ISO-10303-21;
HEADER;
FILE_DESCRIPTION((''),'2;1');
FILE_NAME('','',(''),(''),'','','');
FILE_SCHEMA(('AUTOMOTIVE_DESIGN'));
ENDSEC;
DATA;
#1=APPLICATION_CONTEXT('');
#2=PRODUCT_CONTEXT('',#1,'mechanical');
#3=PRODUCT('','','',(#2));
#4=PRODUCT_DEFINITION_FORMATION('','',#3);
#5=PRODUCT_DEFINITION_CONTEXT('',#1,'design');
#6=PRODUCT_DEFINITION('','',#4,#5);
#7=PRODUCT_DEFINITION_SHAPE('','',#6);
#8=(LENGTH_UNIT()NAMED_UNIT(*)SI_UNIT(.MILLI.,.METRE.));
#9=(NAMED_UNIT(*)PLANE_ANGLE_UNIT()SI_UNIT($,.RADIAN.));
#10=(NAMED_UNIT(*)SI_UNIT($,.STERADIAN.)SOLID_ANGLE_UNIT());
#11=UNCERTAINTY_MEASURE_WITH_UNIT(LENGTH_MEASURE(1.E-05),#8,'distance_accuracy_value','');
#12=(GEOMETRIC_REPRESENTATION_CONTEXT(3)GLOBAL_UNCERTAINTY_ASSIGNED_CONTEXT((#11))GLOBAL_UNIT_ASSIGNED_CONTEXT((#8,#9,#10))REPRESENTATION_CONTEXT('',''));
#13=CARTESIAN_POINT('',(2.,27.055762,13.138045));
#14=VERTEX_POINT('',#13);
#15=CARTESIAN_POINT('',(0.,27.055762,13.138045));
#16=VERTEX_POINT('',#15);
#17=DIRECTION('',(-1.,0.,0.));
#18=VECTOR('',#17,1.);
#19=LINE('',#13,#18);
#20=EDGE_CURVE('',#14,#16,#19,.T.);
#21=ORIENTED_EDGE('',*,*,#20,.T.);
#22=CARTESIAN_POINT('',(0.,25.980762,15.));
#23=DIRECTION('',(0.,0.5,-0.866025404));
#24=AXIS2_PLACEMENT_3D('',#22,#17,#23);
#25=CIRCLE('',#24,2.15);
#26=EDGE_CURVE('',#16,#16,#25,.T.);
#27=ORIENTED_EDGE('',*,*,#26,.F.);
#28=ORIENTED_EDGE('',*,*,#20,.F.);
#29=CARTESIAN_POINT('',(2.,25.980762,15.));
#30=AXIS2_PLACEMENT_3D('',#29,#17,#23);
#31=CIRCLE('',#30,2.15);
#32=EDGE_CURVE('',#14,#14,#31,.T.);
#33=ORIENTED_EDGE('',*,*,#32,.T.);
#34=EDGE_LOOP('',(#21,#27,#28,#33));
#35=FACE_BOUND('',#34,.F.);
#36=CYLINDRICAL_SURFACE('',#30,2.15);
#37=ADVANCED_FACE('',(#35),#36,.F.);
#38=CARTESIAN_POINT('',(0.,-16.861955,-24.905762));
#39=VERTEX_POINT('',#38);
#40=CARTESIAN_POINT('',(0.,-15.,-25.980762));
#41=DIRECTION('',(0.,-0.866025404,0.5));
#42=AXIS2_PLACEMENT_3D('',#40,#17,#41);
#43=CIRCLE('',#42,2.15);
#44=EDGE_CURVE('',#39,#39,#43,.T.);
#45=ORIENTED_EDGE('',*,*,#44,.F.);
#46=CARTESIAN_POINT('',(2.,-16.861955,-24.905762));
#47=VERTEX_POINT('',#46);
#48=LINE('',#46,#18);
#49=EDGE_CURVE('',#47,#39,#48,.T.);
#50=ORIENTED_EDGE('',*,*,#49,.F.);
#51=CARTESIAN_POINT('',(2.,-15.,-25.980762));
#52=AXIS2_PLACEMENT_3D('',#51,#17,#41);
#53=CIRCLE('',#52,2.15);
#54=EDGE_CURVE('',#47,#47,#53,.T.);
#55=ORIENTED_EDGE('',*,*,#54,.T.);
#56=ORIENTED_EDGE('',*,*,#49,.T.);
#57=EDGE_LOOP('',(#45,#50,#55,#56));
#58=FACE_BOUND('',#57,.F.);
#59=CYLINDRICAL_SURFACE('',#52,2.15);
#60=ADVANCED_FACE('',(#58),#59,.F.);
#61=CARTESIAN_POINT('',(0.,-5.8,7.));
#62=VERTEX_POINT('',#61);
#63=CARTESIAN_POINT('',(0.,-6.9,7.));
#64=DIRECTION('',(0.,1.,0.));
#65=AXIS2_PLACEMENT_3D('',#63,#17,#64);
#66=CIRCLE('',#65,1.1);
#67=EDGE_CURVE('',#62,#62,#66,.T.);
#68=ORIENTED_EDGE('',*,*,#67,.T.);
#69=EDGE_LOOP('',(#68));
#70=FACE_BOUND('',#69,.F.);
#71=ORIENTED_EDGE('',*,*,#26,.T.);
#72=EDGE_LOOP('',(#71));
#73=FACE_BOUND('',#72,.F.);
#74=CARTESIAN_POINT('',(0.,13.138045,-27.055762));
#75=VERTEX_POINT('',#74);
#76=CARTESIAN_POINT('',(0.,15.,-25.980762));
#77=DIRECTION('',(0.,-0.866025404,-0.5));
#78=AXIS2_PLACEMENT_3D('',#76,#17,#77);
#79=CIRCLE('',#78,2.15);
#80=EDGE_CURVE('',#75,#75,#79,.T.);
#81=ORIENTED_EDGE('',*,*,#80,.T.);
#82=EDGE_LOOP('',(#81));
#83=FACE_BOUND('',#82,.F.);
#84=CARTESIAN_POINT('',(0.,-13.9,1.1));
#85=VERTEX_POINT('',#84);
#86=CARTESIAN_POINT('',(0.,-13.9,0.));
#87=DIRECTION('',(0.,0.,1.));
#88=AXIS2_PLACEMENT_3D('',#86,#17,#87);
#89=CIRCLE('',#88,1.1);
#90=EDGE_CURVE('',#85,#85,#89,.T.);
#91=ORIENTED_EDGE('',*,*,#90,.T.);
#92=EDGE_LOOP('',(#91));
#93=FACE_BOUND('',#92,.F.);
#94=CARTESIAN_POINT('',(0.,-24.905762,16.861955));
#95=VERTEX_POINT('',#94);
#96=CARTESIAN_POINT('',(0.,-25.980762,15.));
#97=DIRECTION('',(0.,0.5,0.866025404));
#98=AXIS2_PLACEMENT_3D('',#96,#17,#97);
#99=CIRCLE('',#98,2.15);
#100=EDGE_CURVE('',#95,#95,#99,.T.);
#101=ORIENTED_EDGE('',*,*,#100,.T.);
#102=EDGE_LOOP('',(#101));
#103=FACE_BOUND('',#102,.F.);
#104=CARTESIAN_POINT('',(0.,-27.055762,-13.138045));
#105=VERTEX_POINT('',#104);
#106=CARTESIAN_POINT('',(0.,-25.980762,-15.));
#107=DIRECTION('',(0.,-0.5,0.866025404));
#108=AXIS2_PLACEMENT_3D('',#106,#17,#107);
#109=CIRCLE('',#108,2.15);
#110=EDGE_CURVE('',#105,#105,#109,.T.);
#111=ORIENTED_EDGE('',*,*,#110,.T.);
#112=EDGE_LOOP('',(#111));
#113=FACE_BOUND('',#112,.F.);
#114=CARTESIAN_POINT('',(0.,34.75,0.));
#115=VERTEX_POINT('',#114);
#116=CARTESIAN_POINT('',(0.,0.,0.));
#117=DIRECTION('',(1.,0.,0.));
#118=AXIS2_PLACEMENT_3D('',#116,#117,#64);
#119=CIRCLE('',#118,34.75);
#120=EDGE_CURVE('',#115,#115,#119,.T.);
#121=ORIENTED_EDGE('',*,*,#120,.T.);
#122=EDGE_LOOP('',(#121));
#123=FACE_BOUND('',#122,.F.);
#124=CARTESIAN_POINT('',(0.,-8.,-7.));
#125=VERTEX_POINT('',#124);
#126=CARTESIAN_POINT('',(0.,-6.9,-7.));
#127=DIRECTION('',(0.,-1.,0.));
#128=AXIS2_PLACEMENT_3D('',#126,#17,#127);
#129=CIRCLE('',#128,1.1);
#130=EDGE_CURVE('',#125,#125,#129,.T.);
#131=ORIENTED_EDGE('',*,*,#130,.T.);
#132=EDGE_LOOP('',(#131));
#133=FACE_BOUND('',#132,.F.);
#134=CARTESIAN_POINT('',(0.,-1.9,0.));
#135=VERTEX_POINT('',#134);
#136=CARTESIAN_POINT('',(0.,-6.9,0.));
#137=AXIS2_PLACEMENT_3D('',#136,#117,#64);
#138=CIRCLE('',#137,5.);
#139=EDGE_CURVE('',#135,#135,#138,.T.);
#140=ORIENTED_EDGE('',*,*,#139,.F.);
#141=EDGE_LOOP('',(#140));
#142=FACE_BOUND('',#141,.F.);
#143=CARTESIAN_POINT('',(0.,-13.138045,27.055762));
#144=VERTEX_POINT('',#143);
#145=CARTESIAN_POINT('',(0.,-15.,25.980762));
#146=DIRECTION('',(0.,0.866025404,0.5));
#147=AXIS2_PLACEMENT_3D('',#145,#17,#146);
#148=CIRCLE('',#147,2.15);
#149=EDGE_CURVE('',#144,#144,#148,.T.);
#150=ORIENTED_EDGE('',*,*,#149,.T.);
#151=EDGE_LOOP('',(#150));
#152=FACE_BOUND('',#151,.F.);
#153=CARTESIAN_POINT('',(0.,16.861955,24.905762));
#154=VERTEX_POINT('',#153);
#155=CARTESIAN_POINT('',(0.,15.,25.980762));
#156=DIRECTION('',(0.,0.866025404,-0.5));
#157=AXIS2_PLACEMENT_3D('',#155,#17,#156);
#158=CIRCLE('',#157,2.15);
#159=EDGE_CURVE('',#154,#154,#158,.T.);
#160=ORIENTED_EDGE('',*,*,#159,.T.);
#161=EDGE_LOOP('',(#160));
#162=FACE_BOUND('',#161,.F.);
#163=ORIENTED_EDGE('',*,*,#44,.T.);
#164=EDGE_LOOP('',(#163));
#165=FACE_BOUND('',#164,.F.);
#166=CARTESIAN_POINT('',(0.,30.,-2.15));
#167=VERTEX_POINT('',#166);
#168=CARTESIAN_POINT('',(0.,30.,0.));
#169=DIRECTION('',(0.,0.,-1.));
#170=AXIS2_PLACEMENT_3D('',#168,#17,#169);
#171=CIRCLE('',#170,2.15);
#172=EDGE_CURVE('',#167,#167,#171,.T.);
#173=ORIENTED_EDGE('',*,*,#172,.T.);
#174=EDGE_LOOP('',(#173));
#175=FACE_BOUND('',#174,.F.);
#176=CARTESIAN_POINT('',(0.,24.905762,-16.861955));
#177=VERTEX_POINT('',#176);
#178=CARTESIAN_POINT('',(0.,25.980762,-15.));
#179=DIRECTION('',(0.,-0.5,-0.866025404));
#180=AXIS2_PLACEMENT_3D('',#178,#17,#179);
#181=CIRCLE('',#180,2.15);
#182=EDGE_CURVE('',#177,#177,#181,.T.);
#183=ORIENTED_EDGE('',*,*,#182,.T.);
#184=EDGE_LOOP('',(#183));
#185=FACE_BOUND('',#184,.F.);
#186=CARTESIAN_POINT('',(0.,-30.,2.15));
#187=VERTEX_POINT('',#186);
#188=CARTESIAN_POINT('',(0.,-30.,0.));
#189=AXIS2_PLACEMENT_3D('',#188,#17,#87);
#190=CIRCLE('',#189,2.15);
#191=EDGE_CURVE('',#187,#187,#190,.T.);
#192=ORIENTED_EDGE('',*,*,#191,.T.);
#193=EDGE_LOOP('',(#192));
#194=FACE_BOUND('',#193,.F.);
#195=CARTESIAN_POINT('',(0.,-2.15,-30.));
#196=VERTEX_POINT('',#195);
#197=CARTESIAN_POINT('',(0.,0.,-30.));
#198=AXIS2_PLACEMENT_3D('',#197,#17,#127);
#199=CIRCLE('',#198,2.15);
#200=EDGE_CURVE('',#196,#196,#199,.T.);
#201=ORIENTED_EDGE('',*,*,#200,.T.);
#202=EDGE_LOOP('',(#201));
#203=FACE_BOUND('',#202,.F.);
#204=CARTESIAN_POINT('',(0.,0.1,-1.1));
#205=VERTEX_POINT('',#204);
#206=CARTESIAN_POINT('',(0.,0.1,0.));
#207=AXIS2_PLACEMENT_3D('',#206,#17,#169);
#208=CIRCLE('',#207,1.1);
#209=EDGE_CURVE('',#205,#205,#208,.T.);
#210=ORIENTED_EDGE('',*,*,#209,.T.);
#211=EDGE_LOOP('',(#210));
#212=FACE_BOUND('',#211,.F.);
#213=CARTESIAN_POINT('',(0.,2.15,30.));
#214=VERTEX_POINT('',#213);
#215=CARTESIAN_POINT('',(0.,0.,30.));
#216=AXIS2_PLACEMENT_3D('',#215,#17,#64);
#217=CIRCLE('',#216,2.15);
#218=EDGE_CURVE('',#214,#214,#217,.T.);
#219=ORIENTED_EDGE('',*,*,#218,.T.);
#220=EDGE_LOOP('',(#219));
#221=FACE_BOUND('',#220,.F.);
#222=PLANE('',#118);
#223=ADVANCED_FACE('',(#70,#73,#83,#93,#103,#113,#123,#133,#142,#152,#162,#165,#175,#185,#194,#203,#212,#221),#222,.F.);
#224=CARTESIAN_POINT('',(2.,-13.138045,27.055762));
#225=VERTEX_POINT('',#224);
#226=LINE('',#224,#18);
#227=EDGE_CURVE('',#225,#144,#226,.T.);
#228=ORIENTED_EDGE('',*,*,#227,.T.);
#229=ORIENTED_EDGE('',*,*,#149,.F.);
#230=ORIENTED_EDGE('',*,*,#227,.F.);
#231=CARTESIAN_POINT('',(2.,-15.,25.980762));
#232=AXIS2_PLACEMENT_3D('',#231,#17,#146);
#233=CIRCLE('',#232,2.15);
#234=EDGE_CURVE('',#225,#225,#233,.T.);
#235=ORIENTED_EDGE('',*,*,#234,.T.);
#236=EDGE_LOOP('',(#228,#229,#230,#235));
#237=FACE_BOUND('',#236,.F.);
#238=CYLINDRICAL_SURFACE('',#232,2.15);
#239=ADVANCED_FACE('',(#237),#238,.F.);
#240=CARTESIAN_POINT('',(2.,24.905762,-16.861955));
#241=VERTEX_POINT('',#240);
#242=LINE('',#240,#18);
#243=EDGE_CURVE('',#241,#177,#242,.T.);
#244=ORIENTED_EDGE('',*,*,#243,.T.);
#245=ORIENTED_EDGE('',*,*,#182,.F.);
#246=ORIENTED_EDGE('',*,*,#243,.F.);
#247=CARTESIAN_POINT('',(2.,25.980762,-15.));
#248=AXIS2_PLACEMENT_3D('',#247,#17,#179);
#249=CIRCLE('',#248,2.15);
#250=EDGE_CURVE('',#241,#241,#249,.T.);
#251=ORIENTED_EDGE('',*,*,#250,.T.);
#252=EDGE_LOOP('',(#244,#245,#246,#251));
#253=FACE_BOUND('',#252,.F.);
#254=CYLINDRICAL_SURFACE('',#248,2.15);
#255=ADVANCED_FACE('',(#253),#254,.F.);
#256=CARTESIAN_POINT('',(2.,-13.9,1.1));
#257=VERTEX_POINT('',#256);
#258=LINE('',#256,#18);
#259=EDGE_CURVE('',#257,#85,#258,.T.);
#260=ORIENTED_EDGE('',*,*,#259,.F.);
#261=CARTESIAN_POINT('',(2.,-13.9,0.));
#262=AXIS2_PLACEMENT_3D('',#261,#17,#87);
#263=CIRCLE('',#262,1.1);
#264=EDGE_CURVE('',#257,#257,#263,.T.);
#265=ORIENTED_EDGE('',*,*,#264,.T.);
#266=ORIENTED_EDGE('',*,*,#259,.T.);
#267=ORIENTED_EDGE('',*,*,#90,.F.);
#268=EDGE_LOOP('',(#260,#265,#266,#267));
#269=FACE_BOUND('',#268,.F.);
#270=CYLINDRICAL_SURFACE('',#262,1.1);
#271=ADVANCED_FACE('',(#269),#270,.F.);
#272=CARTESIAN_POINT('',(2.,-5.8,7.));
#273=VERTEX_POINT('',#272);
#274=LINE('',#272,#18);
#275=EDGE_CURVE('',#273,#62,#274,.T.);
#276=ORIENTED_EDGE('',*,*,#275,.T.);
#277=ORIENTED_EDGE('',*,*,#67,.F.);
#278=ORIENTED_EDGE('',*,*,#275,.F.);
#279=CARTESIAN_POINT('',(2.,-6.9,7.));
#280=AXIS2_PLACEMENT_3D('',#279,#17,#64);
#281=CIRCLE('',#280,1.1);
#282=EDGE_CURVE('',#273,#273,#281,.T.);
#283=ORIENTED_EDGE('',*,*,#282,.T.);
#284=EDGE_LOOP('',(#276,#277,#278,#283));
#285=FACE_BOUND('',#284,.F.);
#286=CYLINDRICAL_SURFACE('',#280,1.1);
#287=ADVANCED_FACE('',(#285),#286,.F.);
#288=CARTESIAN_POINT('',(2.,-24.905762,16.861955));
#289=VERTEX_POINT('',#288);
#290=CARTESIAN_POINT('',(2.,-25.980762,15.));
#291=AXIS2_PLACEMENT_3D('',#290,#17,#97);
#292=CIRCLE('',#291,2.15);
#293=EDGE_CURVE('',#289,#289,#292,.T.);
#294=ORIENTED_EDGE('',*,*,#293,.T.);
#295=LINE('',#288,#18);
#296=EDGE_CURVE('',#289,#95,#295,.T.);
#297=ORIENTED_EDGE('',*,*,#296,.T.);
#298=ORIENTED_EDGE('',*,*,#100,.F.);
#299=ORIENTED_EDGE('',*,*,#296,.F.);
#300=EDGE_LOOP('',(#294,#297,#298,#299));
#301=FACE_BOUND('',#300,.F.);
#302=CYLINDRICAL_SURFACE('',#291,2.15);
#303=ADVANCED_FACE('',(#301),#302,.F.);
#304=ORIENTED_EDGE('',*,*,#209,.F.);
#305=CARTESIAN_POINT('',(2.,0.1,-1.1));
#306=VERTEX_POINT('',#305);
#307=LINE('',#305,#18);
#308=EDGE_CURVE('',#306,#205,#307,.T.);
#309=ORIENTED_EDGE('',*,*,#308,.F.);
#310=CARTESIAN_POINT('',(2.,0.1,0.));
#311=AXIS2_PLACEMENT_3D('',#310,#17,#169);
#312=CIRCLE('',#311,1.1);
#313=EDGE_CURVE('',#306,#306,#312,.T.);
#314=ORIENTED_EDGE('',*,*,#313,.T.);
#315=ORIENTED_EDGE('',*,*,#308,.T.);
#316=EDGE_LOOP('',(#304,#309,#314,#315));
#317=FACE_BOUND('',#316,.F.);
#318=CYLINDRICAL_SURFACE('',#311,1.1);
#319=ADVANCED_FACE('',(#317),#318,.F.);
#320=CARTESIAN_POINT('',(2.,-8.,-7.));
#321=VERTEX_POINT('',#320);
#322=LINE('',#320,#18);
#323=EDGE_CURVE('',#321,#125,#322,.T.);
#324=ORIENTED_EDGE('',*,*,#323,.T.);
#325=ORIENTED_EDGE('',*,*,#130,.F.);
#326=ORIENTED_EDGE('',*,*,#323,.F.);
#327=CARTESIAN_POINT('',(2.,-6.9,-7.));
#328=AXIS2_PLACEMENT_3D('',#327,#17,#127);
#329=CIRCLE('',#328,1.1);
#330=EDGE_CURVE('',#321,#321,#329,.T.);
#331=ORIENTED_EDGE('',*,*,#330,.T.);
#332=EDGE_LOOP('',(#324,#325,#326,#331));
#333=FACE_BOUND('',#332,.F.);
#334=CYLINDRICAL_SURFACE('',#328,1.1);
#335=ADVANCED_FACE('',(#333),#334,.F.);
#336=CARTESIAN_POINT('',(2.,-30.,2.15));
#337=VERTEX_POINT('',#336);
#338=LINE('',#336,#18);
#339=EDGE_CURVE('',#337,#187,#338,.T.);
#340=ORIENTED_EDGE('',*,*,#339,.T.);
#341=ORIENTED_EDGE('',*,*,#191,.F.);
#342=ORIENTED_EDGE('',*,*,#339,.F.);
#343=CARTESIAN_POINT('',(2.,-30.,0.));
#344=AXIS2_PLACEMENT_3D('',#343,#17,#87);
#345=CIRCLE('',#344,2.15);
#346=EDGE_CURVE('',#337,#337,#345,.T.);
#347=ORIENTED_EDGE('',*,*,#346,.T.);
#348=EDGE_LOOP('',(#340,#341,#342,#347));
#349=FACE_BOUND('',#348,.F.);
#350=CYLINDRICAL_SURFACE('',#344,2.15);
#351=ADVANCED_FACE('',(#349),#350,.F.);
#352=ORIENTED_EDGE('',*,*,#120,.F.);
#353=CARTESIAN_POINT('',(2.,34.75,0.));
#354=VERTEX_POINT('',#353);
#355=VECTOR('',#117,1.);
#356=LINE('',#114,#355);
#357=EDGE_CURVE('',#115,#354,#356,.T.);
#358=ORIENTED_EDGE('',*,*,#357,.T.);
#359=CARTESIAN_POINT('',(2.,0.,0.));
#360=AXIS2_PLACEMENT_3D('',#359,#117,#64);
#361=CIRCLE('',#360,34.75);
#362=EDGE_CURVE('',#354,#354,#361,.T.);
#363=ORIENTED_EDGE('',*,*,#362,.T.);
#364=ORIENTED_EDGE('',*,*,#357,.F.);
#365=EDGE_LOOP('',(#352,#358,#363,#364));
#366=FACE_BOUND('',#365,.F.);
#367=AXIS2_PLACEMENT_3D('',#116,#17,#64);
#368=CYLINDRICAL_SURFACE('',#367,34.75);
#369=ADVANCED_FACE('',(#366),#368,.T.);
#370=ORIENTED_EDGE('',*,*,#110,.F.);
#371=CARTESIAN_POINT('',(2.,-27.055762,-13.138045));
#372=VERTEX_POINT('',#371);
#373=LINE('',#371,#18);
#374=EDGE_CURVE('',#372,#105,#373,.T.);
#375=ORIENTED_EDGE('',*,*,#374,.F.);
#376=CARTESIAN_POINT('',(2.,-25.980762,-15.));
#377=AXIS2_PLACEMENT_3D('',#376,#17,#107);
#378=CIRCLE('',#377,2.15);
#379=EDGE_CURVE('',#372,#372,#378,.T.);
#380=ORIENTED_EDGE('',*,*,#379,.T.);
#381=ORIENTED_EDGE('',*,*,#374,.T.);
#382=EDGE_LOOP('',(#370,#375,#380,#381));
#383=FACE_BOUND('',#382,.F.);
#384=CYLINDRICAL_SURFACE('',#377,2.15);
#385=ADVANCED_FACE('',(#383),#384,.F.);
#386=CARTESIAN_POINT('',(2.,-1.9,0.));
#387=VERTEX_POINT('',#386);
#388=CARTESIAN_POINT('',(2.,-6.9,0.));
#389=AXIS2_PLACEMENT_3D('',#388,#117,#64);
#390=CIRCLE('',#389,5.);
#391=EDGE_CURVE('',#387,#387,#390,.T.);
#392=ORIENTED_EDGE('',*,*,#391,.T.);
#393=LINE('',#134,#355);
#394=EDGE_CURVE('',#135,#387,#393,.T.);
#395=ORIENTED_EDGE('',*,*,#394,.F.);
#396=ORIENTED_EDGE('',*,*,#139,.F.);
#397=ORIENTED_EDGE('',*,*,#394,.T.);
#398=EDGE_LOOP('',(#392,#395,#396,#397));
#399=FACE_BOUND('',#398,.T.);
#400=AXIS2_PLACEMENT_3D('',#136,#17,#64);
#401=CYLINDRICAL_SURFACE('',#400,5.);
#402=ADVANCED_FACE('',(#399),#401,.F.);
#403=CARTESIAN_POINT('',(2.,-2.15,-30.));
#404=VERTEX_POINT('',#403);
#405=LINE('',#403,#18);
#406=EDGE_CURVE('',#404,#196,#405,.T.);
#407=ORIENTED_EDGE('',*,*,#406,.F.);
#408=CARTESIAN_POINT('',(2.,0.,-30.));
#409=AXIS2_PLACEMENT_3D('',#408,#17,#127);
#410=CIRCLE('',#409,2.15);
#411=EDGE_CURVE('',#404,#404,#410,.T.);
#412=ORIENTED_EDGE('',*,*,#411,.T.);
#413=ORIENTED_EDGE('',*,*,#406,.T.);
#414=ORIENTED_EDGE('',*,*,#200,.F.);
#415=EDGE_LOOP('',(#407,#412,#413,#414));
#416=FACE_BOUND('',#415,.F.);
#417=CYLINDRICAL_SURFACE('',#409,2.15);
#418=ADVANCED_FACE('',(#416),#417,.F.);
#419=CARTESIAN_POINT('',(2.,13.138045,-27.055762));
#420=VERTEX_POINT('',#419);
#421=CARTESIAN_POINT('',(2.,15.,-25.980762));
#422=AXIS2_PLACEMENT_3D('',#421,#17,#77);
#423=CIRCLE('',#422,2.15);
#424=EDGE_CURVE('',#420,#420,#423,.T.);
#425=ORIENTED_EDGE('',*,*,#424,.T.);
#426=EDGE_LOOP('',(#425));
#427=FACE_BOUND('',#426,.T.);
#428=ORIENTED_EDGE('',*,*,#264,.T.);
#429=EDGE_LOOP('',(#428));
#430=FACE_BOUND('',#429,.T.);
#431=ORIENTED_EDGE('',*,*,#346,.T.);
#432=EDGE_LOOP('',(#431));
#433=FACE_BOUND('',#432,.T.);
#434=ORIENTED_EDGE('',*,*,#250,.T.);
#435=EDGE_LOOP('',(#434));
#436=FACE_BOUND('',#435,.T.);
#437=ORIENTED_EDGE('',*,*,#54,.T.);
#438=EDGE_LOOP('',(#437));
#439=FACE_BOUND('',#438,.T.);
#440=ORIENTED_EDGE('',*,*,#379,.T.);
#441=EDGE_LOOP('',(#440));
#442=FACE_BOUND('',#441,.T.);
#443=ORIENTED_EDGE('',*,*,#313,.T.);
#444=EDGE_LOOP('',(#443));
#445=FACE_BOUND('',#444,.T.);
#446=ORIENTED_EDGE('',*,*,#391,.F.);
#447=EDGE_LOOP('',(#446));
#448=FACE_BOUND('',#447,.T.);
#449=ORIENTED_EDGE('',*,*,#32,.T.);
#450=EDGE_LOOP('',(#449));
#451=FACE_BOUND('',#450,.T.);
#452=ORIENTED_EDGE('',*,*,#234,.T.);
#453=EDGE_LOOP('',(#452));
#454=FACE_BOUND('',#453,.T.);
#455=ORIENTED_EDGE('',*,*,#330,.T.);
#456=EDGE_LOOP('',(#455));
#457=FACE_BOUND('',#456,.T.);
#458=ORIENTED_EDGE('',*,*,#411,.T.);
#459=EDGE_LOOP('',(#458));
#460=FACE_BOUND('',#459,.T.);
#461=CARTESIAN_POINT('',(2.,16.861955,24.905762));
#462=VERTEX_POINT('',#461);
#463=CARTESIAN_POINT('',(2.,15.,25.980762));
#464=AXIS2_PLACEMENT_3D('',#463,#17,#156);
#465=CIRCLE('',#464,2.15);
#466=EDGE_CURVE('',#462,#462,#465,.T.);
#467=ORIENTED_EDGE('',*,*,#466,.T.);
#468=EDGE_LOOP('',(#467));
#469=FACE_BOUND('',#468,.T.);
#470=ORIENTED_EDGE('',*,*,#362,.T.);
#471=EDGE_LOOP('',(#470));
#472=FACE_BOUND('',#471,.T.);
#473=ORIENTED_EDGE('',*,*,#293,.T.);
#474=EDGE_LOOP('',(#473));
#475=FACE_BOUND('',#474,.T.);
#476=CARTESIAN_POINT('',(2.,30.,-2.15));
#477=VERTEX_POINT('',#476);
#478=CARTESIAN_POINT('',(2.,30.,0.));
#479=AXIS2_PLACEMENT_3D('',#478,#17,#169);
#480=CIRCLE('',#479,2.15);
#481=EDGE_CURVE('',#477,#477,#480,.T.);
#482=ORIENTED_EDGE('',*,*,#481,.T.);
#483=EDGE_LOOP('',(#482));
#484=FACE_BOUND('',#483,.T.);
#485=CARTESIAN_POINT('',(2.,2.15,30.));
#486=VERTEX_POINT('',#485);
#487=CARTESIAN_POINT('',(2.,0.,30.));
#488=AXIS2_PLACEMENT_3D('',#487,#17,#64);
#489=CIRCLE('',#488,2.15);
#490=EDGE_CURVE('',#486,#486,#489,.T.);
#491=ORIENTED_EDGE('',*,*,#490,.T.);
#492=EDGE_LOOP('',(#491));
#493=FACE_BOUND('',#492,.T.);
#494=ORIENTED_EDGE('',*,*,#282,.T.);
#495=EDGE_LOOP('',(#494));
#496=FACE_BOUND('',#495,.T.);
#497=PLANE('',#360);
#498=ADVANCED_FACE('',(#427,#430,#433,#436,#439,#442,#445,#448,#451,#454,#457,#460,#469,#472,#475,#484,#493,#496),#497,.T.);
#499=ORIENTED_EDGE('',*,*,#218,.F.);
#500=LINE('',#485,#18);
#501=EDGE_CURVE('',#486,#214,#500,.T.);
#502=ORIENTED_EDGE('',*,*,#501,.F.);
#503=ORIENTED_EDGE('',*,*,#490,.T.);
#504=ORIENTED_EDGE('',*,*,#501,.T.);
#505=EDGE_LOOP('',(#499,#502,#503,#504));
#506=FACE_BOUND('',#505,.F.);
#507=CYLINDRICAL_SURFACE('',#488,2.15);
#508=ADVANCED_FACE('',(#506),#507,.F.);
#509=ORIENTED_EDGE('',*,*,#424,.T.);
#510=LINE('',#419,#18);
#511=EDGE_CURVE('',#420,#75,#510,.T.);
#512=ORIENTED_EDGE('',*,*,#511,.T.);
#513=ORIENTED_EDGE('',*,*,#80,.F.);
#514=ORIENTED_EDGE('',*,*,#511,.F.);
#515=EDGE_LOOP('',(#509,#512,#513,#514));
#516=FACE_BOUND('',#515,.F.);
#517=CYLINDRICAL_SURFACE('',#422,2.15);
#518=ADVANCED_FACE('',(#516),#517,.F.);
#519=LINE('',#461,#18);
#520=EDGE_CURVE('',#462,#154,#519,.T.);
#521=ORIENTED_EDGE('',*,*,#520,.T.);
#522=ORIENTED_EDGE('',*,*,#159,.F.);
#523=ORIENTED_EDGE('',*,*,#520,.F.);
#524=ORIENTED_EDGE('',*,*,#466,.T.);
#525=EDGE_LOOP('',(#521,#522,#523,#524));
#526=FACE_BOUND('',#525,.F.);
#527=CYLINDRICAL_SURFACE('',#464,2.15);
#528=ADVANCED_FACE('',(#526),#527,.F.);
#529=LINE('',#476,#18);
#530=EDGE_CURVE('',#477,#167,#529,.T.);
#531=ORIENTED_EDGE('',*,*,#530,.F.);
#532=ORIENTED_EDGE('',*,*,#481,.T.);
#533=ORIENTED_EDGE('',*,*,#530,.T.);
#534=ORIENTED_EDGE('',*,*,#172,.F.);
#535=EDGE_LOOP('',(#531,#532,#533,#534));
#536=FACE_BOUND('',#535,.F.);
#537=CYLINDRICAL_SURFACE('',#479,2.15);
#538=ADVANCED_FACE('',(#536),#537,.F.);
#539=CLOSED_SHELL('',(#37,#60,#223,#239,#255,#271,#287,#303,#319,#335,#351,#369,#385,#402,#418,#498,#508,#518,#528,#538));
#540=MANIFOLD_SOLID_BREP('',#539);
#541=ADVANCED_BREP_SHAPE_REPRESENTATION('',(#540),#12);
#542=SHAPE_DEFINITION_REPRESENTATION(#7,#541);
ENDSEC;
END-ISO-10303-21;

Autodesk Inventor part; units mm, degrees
ref_plane "YZ Plane" through (0, 0, 0) normal (1, 0, 0) x (0, 1, 0)
ref_plane "XZ Plane" through (0, 0, 0) normal (0, 1, 0) x (-1, 0, 0)
ref_plane "XY Plane" through (0, 0, 0) normal (0, 0, 1) x (1, 0, 0)
sketch "Sketch1" plane through (0, 0, 0) normal (1, 0, 0) x (0, 1, 0)
  circle A0 centre (0, 0) radius 34.75
  circle A1 centre (-6.9, 0) radius 5
  dimension "d0" = 69.5
  dimension "d1" = 10
  dimension "d2" = 6.9
extrude "Extrusion1" add sketch "Sketch1" along normal blind 2
sketch "Sketch2" plane through (2, 0, 0) normal (1, 0, 0) x (0, 0, -1)
  circle A0 centre (0, 0) radius 30
  point P0 (0, 30)
  dimension "d5" = 60
hole "Hole1" at (2, 30, 0) direction (-1, 0, 0) diameter 4.3 depth 10
pattern_circular "Circular Pattern1" count 12 over 360 about axis through (0, 0, 0) along (1, 0, 0) of "Hole1"
sketch "Sketch3" plane through (2, 0, 0) normal (1, 0, 0) x (0, 0, -1)
  circle A0 centre (0, -6.9) radius 5 projected
  circle A1 centre (0, -6.9) radius 7
  point P0 (0, 0)
  point P1 (0, 0.1)
  dimension "d16" = 14
hole "Hole2" at (2, 0.1, 0) direction (-1, 0, 0) diameter 2.2 depth 10
pattern_circular "Circular Pattern2" count 4 over 360 about axis through (0, -6.9, 0) along (1, 0, 0) of "Hole2"
properties part number "sample-transfer_plate" material "ABS Plastic orange"
